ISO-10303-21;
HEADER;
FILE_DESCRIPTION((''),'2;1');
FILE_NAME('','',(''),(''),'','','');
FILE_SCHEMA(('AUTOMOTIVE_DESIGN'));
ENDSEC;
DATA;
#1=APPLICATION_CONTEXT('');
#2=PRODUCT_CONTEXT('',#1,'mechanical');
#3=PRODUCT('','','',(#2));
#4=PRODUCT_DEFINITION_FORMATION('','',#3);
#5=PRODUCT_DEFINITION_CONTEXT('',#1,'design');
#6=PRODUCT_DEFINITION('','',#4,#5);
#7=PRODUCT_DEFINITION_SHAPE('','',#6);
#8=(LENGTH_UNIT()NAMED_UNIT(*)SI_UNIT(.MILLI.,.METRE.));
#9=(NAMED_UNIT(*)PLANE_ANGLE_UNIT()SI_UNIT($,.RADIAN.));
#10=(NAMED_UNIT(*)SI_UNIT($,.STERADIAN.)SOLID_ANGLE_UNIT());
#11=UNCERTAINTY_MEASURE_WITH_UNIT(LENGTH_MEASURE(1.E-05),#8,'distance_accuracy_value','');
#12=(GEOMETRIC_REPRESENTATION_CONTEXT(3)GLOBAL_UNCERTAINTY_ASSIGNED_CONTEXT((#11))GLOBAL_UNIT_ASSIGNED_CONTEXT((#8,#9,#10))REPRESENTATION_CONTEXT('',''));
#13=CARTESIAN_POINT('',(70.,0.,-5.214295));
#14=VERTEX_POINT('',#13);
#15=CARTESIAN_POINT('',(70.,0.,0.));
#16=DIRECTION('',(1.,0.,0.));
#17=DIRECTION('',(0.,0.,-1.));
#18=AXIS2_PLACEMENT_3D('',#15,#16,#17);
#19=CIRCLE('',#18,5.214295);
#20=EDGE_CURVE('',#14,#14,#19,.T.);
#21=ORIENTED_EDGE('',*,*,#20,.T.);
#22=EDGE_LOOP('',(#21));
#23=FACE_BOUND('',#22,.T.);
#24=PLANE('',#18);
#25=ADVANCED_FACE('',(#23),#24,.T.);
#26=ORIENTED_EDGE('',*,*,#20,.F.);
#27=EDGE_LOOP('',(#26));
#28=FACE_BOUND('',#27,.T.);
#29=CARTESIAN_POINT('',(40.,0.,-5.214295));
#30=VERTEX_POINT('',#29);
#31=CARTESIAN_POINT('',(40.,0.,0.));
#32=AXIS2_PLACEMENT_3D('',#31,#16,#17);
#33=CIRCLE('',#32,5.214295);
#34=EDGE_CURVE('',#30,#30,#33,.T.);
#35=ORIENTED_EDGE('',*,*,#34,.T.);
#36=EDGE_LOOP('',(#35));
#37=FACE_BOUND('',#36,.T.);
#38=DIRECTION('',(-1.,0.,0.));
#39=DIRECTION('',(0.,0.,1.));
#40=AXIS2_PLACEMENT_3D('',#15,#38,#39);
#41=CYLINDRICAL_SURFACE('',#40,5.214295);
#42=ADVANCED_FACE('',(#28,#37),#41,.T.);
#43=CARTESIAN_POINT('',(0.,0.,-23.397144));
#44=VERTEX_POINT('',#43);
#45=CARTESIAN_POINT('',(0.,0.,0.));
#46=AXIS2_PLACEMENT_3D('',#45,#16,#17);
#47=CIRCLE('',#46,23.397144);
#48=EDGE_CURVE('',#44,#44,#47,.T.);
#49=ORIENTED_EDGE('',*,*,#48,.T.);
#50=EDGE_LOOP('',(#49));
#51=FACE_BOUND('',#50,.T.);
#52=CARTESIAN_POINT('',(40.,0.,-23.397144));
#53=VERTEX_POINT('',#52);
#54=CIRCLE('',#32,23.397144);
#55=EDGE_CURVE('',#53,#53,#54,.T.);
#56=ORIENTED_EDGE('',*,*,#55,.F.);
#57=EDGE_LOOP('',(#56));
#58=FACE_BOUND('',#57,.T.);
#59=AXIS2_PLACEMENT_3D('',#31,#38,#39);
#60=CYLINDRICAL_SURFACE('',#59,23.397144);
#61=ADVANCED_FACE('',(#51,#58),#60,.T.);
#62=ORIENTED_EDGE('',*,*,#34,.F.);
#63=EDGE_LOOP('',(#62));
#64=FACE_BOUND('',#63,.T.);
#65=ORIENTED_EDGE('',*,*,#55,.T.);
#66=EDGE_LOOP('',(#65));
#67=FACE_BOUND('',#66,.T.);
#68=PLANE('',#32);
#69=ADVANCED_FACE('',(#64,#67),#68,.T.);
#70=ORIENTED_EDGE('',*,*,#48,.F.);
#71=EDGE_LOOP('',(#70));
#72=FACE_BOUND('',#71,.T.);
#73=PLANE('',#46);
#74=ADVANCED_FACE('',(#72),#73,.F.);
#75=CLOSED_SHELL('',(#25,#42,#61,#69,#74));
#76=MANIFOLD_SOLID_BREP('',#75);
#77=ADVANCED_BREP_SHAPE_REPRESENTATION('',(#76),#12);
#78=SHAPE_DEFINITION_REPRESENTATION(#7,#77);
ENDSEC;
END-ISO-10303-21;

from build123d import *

# Parameters (mm, degrees)
SKETCH1_R           = 23.397143916
BOSS_EXTRUDE1_DEPTH = 40
SKETCH2_R           = 5.21429466
BOSS_EXTRUDE2_DEPTH = 30


with BuildPart() as part:
    # Sketch1 → Boss-Extrude1 (new body)
    with BuildSketch(Plane(origin=(0, 0, 0), x_dir=(0, 0, -1), z_dir=(1, 0, 0))):
        Circle(SKETCH1_R)
    extrude(amount=BOSS_EXTRUDE1_DEPTH)

    # Sketch2 → Boss-Extrude2 (add)
    with BuildSketch(Plane(origin=(40, 0, 0), x_dir=(0, 0, -1), z_dir=(1, 0, 0))):
        Circle(SKETCH2_R)
    extrude(amount=BOSS_EXTRUDE2_DEPTH)


solid = part.part
